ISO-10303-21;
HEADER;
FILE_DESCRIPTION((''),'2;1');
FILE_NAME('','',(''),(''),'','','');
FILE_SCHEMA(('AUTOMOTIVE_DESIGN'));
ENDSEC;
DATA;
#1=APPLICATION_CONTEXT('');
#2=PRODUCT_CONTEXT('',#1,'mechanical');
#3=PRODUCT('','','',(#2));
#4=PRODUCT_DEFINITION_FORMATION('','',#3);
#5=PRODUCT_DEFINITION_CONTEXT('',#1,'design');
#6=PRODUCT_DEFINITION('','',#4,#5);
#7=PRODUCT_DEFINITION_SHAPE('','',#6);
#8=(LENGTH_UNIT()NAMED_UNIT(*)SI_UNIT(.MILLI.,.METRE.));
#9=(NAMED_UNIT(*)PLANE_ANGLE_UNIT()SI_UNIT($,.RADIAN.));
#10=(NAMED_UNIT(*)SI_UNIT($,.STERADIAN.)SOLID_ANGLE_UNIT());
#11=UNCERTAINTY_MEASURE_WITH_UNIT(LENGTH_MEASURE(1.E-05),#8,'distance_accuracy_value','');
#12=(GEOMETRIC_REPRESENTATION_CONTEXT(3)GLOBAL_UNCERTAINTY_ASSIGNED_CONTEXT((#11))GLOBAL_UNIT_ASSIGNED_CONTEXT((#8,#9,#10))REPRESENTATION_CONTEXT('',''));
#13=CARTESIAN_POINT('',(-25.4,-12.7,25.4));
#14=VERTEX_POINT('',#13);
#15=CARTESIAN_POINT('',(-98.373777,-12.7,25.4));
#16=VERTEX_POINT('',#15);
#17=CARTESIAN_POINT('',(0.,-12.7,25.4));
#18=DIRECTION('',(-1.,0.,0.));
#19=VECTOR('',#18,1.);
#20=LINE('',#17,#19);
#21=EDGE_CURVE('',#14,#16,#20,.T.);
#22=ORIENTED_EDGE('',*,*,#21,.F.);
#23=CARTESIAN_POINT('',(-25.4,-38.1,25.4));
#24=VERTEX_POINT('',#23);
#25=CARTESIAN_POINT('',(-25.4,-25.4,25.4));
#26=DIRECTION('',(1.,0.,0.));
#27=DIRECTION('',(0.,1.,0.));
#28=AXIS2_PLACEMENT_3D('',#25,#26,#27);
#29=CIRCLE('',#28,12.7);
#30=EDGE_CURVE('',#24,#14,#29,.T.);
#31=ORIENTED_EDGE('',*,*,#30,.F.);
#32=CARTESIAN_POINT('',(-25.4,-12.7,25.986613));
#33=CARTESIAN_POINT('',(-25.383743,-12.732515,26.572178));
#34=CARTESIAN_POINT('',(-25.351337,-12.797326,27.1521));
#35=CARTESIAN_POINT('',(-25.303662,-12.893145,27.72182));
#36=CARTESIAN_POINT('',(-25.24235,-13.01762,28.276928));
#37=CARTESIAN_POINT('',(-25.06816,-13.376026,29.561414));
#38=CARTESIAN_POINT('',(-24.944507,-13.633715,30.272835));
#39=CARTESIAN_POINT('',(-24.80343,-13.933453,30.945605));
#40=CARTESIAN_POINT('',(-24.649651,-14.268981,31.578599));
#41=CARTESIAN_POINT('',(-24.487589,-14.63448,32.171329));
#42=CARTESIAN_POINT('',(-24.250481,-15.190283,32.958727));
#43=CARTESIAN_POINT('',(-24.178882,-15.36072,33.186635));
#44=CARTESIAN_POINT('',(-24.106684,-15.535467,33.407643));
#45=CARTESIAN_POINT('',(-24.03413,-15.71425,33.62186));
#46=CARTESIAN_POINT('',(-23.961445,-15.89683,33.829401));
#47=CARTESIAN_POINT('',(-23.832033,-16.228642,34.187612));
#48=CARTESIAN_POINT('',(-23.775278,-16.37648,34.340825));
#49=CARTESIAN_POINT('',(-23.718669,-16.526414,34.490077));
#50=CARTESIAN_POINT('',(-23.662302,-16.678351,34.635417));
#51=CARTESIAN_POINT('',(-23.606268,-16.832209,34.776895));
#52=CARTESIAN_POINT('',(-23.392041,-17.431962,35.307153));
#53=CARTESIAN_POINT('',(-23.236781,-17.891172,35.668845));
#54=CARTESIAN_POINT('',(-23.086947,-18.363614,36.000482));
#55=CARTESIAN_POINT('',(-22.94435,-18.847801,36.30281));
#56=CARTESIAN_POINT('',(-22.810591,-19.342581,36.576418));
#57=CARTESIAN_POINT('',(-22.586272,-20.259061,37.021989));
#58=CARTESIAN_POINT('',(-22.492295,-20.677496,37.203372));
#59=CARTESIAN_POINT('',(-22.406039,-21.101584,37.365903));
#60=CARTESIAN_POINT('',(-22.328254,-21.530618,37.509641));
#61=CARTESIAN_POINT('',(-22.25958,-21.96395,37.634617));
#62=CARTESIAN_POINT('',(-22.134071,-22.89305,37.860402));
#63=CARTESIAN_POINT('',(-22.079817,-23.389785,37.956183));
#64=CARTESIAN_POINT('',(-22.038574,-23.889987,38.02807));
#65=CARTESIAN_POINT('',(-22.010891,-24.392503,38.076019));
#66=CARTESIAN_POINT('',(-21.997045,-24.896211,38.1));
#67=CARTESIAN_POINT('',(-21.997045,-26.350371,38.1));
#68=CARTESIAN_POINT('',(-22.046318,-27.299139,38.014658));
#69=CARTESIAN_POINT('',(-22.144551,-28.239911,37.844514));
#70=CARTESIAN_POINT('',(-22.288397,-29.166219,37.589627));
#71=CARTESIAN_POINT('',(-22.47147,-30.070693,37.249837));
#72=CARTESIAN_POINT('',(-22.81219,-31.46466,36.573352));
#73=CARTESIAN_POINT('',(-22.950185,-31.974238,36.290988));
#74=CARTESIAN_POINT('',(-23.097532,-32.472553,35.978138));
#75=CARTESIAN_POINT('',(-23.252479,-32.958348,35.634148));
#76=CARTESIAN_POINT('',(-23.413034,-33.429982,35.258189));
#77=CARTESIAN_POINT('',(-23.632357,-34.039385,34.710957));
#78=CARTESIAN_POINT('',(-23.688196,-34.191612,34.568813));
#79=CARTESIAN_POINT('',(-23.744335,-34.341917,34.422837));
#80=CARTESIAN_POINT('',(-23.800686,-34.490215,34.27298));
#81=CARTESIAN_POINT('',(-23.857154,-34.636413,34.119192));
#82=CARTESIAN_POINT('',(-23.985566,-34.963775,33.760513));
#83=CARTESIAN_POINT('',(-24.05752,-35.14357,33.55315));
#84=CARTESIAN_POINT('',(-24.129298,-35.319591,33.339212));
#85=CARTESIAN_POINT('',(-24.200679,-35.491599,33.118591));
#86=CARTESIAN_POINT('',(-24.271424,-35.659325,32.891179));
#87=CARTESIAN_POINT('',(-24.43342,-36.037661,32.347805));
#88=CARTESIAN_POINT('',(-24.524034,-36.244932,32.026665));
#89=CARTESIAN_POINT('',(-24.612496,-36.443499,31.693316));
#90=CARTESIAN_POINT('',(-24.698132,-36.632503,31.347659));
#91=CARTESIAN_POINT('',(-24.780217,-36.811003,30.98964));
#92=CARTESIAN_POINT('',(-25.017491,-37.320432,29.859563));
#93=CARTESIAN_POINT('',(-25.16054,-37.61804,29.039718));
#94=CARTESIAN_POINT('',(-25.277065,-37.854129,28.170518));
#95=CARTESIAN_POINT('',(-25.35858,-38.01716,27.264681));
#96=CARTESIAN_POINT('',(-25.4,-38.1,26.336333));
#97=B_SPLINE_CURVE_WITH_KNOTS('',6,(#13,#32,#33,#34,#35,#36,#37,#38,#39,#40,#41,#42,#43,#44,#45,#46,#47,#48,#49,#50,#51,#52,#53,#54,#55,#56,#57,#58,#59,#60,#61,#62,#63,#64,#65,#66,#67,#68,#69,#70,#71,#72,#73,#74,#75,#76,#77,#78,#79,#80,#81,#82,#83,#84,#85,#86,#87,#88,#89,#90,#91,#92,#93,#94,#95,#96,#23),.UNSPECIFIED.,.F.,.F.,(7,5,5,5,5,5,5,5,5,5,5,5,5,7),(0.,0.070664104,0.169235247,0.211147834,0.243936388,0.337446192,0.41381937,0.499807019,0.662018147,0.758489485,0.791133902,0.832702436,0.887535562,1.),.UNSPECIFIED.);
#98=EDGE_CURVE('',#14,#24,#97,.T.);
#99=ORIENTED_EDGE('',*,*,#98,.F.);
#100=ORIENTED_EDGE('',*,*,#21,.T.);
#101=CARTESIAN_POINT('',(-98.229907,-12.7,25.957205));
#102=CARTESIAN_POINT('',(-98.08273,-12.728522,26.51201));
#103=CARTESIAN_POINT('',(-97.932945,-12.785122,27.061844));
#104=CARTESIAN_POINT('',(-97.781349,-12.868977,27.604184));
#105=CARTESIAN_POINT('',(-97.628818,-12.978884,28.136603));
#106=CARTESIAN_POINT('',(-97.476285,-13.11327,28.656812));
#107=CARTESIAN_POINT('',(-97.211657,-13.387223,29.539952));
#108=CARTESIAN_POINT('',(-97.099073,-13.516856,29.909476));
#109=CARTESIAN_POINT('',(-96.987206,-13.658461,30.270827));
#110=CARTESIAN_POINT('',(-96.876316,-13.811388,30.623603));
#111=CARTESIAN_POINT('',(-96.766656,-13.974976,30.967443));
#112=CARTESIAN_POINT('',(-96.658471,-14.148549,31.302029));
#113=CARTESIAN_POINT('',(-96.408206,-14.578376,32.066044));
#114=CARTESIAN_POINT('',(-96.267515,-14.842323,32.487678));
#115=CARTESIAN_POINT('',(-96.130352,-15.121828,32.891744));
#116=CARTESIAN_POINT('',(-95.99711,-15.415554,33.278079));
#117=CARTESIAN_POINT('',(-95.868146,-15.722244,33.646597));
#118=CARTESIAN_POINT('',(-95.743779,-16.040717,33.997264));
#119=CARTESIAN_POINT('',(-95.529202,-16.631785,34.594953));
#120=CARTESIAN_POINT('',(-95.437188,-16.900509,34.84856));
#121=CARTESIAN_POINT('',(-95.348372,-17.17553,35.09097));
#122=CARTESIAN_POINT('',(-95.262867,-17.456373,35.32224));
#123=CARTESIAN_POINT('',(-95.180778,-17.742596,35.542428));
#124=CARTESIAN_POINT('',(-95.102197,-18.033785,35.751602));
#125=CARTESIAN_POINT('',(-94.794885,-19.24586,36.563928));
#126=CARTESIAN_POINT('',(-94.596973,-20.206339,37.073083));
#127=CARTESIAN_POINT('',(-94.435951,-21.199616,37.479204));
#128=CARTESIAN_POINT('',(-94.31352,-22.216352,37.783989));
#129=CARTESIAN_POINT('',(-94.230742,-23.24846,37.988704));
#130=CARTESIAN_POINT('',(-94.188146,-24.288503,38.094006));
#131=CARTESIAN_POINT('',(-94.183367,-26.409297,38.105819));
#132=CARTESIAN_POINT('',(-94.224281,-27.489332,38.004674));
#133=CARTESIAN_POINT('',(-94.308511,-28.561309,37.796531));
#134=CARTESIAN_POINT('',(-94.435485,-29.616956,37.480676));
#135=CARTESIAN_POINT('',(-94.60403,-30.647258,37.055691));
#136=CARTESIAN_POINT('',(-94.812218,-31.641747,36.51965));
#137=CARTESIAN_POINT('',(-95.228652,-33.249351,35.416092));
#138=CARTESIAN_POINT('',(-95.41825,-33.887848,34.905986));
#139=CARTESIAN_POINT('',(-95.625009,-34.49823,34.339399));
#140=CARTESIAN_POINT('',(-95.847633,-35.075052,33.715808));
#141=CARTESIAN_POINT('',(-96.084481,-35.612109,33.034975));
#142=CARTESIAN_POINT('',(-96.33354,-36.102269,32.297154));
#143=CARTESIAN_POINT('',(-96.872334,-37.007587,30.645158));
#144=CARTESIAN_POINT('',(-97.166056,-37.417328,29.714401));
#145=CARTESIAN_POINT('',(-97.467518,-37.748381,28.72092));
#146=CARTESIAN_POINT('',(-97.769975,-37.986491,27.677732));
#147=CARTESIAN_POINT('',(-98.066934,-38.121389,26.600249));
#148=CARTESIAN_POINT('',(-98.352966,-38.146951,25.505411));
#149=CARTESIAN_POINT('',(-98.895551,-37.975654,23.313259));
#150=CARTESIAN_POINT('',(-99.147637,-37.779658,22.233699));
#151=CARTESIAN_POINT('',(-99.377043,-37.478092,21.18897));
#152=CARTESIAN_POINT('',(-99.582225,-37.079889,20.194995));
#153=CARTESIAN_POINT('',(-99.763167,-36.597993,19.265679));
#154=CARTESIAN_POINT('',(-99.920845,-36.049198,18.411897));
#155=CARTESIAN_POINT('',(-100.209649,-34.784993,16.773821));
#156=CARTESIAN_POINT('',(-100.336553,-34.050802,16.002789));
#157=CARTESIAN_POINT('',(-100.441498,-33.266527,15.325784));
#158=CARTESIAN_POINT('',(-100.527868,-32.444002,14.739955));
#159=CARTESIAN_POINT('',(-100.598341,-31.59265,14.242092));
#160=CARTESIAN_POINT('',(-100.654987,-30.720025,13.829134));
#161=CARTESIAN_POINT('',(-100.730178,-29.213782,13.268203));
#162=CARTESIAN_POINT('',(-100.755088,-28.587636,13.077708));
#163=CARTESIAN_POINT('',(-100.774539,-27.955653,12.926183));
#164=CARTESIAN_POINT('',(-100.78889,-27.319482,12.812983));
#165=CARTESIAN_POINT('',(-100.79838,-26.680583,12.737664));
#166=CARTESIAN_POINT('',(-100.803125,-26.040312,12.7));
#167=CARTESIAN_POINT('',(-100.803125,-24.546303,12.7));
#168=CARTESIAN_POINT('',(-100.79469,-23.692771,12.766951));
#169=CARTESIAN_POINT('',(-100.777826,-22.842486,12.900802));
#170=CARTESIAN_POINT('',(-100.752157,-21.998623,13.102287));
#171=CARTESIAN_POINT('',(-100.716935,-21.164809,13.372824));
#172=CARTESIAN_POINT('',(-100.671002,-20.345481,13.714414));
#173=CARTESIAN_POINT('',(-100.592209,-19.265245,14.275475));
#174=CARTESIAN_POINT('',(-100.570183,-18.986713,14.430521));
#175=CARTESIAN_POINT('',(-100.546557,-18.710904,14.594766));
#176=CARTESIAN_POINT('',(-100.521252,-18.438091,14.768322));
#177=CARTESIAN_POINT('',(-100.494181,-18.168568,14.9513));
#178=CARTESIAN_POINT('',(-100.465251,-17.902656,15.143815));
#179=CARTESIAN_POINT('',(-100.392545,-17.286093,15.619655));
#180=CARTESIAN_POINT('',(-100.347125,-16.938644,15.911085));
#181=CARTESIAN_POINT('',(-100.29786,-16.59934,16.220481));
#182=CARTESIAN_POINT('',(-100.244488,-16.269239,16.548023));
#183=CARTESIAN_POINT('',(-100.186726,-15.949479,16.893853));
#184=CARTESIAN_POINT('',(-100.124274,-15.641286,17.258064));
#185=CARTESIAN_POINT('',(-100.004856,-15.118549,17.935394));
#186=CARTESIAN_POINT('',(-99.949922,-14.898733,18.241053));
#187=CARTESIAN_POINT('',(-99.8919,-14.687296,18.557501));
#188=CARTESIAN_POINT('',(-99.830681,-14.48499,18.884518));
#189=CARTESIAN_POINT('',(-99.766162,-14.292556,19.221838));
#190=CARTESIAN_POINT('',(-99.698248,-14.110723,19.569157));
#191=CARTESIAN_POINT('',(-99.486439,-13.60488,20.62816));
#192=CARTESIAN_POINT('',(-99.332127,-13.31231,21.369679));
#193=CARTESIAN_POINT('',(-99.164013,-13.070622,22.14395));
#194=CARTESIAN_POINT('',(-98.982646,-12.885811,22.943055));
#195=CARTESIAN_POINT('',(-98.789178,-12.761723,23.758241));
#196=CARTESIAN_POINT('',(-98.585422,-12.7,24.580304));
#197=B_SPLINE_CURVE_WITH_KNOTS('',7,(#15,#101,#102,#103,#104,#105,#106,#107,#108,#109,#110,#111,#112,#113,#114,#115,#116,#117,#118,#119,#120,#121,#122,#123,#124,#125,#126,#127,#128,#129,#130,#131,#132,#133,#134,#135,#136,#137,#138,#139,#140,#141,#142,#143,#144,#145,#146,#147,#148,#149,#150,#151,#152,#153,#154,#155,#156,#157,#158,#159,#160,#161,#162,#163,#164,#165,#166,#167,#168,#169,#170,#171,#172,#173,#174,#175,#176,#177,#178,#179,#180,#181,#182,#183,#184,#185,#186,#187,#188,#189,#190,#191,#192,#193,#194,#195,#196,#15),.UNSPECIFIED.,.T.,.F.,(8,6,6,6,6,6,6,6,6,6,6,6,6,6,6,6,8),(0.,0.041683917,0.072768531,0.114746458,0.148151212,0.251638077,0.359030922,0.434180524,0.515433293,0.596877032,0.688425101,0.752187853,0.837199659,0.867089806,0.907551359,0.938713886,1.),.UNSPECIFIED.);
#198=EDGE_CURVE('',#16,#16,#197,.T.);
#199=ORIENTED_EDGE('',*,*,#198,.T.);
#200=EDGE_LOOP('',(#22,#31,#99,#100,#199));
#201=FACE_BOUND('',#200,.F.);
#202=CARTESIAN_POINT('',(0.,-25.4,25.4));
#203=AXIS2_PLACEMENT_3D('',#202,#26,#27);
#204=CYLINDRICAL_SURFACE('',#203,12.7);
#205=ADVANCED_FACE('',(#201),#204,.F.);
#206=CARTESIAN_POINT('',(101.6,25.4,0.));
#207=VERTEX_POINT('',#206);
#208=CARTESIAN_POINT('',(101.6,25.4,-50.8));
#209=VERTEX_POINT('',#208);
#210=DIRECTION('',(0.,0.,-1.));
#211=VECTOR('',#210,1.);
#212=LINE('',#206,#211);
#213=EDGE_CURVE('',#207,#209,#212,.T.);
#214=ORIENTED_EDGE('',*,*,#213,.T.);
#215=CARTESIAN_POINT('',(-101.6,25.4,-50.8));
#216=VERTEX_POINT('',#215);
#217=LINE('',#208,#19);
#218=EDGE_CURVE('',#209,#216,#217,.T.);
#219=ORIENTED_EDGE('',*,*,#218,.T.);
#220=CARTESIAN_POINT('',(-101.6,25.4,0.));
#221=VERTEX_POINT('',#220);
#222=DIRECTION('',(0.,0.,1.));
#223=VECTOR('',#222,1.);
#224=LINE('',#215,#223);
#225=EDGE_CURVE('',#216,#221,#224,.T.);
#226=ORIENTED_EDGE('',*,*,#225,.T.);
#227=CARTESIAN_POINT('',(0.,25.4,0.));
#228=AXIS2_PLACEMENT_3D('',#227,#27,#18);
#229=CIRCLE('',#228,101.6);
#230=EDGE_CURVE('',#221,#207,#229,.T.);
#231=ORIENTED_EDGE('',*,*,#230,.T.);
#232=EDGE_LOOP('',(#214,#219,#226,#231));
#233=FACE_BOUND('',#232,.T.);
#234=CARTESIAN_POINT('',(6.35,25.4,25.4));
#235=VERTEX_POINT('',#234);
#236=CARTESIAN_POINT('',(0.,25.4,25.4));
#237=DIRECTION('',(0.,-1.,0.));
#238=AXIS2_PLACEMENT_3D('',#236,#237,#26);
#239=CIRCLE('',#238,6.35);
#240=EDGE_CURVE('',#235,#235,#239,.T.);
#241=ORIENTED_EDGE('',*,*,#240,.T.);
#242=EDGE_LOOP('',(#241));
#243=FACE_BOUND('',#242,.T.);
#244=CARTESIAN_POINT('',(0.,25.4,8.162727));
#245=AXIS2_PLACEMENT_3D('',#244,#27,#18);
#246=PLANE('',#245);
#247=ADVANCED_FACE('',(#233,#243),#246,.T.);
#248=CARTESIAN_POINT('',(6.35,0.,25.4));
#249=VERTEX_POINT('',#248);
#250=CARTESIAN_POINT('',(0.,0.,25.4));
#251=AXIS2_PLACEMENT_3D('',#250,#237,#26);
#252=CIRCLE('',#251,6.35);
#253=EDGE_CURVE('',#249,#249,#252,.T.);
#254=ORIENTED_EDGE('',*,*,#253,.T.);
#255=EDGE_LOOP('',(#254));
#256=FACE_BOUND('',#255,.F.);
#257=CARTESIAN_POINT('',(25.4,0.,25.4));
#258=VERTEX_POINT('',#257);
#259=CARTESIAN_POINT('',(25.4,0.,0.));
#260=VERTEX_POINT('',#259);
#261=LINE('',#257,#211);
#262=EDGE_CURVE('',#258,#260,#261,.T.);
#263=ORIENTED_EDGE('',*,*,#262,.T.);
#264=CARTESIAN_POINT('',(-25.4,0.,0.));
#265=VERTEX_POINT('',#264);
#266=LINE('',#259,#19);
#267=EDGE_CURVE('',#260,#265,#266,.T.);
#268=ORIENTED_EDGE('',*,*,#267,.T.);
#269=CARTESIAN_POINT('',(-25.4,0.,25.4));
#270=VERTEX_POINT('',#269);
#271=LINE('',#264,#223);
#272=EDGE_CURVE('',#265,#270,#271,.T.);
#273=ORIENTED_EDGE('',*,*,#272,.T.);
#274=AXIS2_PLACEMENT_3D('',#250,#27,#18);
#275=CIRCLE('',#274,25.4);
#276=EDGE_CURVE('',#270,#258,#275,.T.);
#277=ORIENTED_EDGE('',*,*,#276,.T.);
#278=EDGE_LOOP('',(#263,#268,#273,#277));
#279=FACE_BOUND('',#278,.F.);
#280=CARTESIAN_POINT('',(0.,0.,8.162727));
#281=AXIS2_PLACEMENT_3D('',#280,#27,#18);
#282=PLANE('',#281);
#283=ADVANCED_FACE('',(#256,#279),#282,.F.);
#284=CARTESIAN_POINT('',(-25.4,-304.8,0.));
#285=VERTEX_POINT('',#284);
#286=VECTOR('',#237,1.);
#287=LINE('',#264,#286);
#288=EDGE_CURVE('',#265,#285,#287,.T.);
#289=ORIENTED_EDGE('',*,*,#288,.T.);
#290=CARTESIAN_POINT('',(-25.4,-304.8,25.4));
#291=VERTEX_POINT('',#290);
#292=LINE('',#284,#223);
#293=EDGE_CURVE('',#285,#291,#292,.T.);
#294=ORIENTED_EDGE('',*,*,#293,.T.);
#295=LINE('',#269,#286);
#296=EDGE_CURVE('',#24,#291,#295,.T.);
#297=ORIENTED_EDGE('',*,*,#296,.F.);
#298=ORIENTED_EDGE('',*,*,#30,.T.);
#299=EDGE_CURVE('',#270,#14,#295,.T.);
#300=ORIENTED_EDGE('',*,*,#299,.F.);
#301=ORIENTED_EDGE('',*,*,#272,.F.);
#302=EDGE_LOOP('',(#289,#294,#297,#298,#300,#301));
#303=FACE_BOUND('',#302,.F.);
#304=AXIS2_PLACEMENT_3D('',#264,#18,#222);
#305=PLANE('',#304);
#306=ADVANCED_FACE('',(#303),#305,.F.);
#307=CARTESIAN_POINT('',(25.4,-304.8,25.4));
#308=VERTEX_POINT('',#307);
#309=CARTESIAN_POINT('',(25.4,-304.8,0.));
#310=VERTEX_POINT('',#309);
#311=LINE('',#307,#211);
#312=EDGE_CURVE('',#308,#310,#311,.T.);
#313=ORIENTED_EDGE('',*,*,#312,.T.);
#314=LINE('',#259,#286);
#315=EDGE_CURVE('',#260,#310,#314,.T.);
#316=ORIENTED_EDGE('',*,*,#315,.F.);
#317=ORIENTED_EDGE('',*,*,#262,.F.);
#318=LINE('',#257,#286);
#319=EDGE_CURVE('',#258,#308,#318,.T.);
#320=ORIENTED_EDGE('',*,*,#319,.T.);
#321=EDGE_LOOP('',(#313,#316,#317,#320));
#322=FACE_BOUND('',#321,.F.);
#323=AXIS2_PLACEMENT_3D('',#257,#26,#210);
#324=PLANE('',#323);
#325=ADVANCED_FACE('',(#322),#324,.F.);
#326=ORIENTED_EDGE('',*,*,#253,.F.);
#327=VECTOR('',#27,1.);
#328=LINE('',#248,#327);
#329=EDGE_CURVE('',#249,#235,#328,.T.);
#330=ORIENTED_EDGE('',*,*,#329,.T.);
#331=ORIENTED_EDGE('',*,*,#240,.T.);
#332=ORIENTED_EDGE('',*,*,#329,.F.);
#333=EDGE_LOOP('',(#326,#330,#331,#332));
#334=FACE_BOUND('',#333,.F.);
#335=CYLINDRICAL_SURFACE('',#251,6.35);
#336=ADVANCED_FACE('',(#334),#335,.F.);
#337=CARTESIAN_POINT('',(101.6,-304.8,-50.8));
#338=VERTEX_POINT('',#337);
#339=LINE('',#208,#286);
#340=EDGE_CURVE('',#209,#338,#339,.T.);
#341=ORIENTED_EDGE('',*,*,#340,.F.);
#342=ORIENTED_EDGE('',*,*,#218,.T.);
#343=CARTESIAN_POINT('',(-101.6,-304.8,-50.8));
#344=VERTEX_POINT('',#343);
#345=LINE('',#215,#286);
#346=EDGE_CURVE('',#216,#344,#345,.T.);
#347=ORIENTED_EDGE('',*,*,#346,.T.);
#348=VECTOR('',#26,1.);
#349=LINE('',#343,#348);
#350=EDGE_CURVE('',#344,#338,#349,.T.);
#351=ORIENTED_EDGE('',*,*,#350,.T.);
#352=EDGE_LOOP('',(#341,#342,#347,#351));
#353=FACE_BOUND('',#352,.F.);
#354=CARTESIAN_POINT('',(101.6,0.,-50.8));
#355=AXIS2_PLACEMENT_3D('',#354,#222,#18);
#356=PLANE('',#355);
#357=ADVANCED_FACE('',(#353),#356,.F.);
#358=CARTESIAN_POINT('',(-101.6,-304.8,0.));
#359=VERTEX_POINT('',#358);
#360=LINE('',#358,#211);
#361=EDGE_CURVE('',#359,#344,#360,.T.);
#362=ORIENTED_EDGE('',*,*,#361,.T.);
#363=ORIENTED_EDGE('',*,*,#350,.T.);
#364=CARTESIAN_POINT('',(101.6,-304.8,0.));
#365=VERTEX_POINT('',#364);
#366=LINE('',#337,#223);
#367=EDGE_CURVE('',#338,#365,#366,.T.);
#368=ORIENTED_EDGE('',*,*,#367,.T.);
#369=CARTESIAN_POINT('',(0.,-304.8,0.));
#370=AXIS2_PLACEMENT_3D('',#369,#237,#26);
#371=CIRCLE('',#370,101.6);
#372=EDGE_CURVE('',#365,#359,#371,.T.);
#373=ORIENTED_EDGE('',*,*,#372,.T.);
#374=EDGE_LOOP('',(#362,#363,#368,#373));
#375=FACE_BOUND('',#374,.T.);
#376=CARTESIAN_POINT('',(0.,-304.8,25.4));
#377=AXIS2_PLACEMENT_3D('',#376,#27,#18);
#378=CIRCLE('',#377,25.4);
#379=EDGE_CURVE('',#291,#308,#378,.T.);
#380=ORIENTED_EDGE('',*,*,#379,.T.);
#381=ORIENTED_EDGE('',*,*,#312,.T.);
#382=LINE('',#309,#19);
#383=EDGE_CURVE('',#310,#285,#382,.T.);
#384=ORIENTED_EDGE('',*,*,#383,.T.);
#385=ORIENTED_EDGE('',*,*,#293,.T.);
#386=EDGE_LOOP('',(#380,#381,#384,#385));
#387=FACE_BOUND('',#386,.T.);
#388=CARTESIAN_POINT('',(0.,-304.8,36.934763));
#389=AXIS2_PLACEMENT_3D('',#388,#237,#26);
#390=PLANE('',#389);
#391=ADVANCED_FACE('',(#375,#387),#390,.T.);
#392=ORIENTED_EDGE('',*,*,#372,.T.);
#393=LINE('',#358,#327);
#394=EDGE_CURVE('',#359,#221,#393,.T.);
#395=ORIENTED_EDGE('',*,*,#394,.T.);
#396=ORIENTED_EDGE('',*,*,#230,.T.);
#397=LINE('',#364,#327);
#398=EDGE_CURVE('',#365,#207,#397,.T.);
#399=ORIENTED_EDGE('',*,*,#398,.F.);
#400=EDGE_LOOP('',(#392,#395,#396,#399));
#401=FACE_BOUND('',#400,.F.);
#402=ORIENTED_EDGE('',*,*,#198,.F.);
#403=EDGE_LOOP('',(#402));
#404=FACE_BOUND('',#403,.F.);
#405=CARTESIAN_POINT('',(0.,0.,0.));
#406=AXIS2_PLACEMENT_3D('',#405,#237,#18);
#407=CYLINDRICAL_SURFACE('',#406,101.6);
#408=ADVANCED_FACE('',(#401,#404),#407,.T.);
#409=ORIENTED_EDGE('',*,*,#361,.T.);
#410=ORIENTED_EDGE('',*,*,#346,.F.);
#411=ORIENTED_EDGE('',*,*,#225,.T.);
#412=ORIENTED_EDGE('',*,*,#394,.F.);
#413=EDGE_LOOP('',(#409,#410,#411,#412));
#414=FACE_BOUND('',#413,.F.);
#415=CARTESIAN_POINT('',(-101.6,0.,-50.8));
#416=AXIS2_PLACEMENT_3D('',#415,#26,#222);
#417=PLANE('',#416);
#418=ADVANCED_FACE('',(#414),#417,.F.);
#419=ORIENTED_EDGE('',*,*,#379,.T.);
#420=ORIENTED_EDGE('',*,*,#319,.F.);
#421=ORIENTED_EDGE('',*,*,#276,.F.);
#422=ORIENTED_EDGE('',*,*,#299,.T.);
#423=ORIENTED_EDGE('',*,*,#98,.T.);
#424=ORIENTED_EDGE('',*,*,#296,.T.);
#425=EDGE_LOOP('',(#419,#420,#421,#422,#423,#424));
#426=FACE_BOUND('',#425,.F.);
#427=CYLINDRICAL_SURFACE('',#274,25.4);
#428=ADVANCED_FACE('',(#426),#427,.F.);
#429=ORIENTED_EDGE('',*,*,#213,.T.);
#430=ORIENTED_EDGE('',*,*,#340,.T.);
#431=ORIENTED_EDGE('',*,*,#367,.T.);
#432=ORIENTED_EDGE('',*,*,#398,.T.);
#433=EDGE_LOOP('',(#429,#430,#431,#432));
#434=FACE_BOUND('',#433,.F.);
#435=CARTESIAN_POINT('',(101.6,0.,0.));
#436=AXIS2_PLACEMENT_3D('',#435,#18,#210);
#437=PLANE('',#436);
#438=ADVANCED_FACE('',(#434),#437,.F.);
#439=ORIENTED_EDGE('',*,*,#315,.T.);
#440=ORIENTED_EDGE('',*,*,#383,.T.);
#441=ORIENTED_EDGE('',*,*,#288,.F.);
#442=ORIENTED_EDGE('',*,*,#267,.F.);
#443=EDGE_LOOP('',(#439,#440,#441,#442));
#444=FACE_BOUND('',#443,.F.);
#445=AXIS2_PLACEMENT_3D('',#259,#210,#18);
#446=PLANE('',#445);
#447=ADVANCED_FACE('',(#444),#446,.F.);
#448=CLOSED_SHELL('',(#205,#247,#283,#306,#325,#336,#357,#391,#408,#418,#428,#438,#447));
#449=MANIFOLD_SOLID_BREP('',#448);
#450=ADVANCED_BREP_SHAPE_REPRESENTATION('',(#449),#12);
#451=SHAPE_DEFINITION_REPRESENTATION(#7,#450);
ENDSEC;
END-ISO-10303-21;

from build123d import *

# Parameters (mm, degrees)
F1_DEPTH = 304.8
F3_DEPTH = 25.4
F4_R     = 6.35
F5_DEPTH = 25.401
F6_R     = 12.7
F7_DEPTH = 101.601


with BuildPart() as f1:
    # F0 (on Front) → F1 (new body)
    with BuildSketch(Plane.XZ):
        with BuildLine():
            ThreePointArc((-25.4, 25.4), (0, 50.8), (25.4, 25.4))
            Line((25.4, 25.4), (25.4, 0))
            Line((25.4, 0), (101.6, 0))
            ThreePointArc((101.6, 0), (0, 101.6), (-101.6, 0))
            Line((-101.6, 0), (-25.4, 0))
            Line((-25.4, 0), (-25.4, 25.4))
        make_face()
        Polygon((101.6, 0), (25.4, 0), (0, 0), (-25.4, 0), (-101.6, 0), (-101.6, -50.8), (101.6, -50.8), align=None)
    extrude(amount=F1_DEPTH)

    # F2 (on face) → F3 (join)
    with BuildSketch(Plane(origin=(0, 0, 0), x_dir=(-1, 0, 0), z_dir=(0, 1, 0))):
        with BuildLine():
            Line((101.6, -50.8), (101.6, 0))
            ThreePointArc((101.6, 0), (0, 101.6), (-101.6, 0))
            Line((-101.6, 0), (-101.6, -50.8))
            Line((-101.6, -50.8), (101.6, -50.8))
        make_face()
    extrude(amount=F3_DEPTH)

    # F4 (on Front) → F5 (cut, through all)
    with BuildSketch(Plane.XZ):
        with Locations((0, 25.4)):
            Circle(F4_R)
    extrude(amount=-F5_DEPTH, mode=Mode.SUBTRACT)

    # F6 (on Right) → F7 (cut, through all)
    with BuildSketch(Plane.YZ):
        with Locations((-25.4, 25.4)):
            Circle(F6_R)
    extrude(amount=-F7_DEPTH, mode=Mode.SUBTRACT)


solid = f1.part
